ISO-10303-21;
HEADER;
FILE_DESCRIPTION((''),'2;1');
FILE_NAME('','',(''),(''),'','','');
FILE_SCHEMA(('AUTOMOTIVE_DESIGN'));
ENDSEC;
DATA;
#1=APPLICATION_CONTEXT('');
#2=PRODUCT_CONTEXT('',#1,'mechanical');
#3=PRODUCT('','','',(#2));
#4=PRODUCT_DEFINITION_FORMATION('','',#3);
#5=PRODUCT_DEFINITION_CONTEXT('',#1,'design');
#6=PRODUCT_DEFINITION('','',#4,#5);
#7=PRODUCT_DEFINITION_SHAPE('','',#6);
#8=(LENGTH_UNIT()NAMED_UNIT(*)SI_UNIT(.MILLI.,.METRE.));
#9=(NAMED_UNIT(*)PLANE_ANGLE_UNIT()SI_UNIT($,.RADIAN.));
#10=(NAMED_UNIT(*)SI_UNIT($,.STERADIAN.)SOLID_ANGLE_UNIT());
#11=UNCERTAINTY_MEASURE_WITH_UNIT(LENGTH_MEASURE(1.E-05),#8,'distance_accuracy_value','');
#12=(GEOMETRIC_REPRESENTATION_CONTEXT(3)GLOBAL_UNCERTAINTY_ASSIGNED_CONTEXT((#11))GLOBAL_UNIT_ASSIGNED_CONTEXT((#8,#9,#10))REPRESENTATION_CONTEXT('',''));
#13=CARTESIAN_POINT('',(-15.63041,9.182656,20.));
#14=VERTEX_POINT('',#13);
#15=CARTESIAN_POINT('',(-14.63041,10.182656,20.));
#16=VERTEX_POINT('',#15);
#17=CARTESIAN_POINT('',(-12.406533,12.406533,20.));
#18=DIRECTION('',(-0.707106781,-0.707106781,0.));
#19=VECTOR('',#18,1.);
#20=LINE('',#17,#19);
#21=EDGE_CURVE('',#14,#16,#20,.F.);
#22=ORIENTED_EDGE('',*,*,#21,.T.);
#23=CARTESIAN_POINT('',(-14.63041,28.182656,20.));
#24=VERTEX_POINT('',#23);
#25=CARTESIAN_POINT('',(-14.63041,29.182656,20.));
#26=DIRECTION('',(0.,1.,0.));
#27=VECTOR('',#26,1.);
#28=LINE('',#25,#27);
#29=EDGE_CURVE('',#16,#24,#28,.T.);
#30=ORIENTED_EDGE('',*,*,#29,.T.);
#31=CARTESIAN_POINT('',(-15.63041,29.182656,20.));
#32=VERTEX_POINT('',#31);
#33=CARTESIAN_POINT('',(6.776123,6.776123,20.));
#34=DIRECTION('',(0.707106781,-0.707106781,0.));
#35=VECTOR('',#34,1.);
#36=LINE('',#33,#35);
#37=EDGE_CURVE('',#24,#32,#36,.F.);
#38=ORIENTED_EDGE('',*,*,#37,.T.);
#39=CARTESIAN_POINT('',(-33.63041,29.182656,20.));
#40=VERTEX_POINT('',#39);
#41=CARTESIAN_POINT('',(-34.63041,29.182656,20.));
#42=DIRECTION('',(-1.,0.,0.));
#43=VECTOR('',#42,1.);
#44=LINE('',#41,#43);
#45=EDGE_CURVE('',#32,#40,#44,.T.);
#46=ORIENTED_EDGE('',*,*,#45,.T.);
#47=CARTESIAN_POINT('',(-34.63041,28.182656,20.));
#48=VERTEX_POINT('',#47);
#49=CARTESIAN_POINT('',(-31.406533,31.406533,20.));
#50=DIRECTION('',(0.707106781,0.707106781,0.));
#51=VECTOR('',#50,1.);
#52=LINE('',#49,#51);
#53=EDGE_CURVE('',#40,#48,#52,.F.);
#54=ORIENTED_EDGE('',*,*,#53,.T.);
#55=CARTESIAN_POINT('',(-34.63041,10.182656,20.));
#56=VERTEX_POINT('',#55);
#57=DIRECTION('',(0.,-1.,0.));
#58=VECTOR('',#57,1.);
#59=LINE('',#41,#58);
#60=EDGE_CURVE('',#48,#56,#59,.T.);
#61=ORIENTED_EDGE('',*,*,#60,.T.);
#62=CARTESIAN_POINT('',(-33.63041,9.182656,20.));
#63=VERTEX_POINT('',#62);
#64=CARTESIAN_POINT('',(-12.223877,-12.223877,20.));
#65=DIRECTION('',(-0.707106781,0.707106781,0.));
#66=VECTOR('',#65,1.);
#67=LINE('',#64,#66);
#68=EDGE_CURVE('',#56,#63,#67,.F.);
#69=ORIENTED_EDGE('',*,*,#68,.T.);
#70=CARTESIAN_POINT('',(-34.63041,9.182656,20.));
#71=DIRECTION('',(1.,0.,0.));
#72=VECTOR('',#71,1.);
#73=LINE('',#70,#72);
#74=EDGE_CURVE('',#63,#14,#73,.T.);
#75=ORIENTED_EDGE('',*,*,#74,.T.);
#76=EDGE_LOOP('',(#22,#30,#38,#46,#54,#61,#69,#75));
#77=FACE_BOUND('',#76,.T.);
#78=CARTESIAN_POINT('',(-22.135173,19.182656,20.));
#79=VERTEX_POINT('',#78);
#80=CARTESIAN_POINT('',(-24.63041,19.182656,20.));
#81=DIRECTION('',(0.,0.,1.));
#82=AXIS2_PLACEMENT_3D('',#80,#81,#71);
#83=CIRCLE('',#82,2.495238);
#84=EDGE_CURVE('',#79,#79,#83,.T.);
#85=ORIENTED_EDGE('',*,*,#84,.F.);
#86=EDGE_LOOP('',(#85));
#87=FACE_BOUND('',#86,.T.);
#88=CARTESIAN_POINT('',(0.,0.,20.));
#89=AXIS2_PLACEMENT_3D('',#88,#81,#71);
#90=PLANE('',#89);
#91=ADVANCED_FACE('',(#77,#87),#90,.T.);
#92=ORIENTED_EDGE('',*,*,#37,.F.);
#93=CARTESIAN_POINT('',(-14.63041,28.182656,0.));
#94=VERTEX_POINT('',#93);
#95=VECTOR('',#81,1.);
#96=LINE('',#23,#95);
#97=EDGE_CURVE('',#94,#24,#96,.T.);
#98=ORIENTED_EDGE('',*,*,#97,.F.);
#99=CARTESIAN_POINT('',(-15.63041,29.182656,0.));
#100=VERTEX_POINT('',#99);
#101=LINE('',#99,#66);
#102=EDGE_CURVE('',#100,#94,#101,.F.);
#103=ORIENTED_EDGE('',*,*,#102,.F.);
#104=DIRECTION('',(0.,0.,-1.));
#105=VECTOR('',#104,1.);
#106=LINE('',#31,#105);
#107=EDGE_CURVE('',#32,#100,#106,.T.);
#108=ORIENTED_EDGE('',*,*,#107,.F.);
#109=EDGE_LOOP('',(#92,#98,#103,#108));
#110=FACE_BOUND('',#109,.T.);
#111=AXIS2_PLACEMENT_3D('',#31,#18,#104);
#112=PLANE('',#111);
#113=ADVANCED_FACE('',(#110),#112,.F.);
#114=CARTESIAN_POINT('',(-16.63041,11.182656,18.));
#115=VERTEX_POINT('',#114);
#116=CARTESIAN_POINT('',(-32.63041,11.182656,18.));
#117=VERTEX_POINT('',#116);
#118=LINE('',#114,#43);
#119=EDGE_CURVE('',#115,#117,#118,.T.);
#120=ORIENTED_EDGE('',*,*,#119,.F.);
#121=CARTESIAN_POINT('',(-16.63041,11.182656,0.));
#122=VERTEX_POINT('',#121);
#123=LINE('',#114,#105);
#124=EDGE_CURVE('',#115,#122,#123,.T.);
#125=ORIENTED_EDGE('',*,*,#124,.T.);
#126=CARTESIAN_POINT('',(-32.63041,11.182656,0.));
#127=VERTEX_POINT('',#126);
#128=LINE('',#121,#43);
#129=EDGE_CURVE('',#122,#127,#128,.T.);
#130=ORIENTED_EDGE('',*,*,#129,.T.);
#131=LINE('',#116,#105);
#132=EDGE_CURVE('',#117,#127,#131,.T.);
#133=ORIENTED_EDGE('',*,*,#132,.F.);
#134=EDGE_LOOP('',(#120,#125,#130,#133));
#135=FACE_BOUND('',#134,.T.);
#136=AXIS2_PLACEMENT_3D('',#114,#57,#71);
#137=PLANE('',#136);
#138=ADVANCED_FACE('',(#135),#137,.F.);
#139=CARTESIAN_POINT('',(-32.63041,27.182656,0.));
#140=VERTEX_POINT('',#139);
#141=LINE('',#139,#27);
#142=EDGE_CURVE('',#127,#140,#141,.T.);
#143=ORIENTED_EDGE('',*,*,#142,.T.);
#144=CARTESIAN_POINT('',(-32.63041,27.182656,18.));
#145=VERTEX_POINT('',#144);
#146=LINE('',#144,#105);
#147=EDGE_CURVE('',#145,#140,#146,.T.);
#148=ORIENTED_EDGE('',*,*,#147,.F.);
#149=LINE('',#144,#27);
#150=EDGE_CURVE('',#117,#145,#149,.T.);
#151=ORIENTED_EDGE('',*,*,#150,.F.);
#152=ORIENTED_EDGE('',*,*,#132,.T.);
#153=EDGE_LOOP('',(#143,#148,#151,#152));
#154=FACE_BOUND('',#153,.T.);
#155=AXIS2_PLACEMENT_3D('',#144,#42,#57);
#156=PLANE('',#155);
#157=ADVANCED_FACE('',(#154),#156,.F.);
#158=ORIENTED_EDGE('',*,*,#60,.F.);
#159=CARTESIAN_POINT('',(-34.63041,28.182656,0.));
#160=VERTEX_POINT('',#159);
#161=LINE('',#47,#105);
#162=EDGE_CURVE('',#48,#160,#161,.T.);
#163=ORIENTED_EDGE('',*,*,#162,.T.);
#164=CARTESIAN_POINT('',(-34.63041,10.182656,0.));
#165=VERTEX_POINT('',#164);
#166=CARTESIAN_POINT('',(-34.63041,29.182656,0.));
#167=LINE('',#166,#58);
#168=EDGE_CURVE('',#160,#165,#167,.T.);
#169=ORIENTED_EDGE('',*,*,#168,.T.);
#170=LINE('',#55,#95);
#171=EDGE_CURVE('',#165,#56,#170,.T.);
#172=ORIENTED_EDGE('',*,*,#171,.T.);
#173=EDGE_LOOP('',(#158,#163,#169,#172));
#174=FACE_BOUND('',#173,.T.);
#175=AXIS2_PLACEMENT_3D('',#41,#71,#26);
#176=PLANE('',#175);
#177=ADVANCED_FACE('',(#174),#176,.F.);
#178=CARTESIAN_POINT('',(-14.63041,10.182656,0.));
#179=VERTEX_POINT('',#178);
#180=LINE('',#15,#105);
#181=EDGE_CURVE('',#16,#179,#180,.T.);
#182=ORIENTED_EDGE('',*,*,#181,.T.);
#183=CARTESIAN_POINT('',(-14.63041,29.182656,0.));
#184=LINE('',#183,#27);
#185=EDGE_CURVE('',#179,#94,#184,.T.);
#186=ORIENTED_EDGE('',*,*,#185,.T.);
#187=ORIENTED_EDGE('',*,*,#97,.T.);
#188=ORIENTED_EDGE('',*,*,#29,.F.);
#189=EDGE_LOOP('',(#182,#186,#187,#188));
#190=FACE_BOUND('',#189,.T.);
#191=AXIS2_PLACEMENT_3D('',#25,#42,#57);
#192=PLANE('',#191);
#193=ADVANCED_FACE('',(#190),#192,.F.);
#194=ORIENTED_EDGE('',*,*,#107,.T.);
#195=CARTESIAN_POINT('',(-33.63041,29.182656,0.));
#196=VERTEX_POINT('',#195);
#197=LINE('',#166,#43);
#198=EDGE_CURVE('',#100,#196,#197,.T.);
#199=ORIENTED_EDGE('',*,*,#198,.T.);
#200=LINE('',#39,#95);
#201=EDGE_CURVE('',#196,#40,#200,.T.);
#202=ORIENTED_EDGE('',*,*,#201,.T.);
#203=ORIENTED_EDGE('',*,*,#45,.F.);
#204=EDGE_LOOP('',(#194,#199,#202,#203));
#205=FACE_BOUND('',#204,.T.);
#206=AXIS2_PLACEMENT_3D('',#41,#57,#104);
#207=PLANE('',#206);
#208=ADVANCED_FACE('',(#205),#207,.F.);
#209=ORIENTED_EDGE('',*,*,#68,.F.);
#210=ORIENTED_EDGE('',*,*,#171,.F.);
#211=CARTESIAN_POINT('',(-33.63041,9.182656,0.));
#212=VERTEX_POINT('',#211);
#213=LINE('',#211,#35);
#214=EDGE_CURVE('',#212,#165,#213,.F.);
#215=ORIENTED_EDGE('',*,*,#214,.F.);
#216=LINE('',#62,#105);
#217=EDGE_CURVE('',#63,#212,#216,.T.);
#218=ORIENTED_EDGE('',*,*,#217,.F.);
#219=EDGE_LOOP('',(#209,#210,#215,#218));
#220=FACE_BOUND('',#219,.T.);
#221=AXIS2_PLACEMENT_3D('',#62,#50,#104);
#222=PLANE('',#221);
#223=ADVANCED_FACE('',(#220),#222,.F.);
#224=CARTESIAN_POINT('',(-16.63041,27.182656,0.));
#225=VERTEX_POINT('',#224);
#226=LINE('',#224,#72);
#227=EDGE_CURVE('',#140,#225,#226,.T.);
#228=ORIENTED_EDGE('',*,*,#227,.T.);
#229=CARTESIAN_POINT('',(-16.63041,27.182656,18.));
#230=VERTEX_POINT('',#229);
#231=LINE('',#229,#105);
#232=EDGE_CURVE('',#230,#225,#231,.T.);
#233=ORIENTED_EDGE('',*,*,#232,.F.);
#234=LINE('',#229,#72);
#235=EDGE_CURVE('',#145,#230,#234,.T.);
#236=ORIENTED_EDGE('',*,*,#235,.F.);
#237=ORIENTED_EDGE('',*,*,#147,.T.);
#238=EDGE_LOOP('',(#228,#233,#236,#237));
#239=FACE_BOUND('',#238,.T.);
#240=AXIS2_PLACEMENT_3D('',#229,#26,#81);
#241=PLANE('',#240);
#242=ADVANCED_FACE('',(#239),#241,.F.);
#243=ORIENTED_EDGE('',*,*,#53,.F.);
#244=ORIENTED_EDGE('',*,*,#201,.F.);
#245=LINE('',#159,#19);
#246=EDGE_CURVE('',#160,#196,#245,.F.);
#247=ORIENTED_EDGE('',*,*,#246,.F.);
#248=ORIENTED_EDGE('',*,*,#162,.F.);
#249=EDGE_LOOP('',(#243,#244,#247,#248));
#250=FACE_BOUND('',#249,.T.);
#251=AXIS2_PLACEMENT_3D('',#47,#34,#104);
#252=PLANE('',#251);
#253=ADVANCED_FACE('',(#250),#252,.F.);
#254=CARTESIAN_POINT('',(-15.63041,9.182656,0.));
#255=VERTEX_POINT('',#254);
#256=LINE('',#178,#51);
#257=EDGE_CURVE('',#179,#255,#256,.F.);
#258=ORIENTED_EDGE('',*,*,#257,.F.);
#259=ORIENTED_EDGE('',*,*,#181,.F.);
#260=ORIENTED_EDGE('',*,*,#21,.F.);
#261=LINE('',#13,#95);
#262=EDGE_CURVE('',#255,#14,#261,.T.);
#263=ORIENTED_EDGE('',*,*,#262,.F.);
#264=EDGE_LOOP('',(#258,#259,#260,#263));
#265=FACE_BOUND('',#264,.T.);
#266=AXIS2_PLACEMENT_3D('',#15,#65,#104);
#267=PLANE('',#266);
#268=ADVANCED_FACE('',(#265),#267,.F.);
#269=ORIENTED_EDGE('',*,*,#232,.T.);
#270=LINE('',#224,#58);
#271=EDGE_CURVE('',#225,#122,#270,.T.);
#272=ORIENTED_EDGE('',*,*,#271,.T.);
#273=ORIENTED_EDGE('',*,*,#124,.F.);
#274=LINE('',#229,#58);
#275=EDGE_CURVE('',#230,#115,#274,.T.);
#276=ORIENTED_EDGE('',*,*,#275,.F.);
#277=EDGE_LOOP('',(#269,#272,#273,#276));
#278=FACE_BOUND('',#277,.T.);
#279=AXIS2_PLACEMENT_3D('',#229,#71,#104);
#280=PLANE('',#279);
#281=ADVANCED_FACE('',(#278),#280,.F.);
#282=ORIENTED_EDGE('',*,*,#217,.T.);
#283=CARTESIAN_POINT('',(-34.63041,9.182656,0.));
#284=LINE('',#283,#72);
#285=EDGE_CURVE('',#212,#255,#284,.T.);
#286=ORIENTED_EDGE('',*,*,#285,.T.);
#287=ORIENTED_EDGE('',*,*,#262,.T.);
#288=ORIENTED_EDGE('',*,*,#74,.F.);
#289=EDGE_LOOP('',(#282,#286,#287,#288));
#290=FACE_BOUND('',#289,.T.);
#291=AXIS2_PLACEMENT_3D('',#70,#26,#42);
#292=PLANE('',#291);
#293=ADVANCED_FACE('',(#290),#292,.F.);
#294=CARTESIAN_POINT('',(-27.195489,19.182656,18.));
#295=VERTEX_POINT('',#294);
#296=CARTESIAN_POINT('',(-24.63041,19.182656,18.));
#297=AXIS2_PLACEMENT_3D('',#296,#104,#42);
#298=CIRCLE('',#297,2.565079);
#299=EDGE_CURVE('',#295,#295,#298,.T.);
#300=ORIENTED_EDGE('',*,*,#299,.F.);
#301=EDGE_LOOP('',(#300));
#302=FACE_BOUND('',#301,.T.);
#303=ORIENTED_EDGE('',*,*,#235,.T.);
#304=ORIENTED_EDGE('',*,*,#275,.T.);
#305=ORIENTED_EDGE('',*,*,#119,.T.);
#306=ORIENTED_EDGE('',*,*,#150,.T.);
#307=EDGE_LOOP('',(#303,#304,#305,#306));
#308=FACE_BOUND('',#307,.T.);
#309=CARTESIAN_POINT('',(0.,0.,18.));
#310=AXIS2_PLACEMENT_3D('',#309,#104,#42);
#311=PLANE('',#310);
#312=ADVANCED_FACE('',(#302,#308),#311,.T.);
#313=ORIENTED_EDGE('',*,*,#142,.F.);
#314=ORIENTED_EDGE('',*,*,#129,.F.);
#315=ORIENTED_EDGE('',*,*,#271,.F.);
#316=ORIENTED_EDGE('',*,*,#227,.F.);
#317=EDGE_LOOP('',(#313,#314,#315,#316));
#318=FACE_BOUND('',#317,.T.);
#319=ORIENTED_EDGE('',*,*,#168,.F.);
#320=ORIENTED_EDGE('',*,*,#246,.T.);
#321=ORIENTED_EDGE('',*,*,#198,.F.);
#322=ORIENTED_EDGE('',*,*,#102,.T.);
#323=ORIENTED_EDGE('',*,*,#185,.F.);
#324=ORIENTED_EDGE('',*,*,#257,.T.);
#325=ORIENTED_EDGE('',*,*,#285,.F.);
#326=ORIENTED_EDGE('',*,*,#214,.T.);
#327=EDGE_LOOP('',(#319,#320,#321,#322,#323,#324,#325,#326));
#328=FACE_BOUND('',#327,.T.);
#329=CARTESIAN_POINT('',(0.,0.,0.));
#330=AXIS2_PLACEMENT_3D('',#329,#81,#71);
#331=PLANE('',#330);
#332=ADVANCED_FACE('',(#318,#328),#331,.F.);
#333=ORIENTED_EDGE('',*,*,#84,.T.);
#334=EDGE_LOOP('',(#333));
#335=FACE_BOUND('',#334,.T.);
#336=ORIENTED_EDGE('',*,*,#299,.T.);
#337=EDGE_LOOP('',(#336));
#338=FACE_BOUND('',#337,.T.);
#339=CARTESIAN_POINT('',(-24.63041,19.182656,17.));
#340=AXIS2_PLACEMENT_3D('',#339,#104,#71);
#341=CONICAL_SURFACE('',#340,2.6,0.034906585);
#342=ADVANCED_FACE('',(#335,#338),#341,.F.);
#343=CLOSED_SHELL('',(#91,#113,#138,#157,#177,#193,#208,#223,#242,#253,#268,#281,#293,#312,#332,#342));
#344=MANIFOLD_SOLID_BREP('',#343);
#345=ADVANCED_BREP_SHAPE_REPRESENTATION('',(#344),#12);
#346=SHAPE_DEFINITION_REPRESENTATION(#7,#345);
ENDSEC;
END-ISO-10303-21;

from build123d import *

# Parameters (mm, degrees)
ESQUISSE1_W             = 20
ESQUISSE1_H             = 20
BOSS_EXTRU_1_DEPTH      = 20
ENL_V_START             = -3
ESQUISSE2_R             = 2.6
ENL_V_MAT_EXTRU_1_DEPTH = 53.506491459
ENL_V_MAT_EXTRU_1_TAPER = 2
ESQUISSE3_W             = 16
ESQUISSE3_H             = 16
ENL_V_MAT_EXTRU_2_DEPTH = 18
CHANFREIN1_SIZE         = 1


with BuildPart() as part:
    # Esquisse1 → Boss.-Extru.1 (new body)
    with BuildSketch(Plane.XY):
        with Locations((-24.630410255, 19.182655502)):
            Rectangle(ESQUISSE1_W, ESQUISSE1_H)
    extrude(amount=BOSS_EXTRU_1_DEPTH)

    # Esquisse2 → Enlèv. mat.-Extru.1 (cut, through all)
    with BuildSketch(Plane.XY.offset(20).offset(ENL_V_START)):
        with Locations((-24.630410255, 19.182655502)):
            Circle(ESQUISSE2_R)
    extrude(amount=ENL_V_MAT_EXTRU_1_DEPTH, taper=ENL_V_MAT_EXTRU_1_TAPER, mode=Mode.SUBTRACT)

    # Esquisse3 → Enlèv. mat.-Extru.2 (cut)
    with BuildSketch(Plane(origin=(0, 0, 0), x_dir=(-1, 0, 0), z_dir=(0, 0, -1))):
        with Locations((24.630410255, 19.182655502)):
            Rectangle(ESQUISSE3_W, ESQUISSE3_H)
    extrude(amount=-ENL_V_MAT_EXTRU_2_DEPTH, mode=Mode.SUBTRACT)

    # Chanfrein1
    chanfrein1_edges = [part.edges().sort_by_distance(p)[0] for p in [
        (-34.630410255, 29.182655502, 10),
        (-14.630410255, 29.182655502, 10),
        (-14.630410255, 9.182655502, 10),
        (-34.630410255, 9.182655502, 10),
    ]]
    chamfer(chanfrein1_edges, length=CHANFREIN1_SIZE)


solid = part.part
